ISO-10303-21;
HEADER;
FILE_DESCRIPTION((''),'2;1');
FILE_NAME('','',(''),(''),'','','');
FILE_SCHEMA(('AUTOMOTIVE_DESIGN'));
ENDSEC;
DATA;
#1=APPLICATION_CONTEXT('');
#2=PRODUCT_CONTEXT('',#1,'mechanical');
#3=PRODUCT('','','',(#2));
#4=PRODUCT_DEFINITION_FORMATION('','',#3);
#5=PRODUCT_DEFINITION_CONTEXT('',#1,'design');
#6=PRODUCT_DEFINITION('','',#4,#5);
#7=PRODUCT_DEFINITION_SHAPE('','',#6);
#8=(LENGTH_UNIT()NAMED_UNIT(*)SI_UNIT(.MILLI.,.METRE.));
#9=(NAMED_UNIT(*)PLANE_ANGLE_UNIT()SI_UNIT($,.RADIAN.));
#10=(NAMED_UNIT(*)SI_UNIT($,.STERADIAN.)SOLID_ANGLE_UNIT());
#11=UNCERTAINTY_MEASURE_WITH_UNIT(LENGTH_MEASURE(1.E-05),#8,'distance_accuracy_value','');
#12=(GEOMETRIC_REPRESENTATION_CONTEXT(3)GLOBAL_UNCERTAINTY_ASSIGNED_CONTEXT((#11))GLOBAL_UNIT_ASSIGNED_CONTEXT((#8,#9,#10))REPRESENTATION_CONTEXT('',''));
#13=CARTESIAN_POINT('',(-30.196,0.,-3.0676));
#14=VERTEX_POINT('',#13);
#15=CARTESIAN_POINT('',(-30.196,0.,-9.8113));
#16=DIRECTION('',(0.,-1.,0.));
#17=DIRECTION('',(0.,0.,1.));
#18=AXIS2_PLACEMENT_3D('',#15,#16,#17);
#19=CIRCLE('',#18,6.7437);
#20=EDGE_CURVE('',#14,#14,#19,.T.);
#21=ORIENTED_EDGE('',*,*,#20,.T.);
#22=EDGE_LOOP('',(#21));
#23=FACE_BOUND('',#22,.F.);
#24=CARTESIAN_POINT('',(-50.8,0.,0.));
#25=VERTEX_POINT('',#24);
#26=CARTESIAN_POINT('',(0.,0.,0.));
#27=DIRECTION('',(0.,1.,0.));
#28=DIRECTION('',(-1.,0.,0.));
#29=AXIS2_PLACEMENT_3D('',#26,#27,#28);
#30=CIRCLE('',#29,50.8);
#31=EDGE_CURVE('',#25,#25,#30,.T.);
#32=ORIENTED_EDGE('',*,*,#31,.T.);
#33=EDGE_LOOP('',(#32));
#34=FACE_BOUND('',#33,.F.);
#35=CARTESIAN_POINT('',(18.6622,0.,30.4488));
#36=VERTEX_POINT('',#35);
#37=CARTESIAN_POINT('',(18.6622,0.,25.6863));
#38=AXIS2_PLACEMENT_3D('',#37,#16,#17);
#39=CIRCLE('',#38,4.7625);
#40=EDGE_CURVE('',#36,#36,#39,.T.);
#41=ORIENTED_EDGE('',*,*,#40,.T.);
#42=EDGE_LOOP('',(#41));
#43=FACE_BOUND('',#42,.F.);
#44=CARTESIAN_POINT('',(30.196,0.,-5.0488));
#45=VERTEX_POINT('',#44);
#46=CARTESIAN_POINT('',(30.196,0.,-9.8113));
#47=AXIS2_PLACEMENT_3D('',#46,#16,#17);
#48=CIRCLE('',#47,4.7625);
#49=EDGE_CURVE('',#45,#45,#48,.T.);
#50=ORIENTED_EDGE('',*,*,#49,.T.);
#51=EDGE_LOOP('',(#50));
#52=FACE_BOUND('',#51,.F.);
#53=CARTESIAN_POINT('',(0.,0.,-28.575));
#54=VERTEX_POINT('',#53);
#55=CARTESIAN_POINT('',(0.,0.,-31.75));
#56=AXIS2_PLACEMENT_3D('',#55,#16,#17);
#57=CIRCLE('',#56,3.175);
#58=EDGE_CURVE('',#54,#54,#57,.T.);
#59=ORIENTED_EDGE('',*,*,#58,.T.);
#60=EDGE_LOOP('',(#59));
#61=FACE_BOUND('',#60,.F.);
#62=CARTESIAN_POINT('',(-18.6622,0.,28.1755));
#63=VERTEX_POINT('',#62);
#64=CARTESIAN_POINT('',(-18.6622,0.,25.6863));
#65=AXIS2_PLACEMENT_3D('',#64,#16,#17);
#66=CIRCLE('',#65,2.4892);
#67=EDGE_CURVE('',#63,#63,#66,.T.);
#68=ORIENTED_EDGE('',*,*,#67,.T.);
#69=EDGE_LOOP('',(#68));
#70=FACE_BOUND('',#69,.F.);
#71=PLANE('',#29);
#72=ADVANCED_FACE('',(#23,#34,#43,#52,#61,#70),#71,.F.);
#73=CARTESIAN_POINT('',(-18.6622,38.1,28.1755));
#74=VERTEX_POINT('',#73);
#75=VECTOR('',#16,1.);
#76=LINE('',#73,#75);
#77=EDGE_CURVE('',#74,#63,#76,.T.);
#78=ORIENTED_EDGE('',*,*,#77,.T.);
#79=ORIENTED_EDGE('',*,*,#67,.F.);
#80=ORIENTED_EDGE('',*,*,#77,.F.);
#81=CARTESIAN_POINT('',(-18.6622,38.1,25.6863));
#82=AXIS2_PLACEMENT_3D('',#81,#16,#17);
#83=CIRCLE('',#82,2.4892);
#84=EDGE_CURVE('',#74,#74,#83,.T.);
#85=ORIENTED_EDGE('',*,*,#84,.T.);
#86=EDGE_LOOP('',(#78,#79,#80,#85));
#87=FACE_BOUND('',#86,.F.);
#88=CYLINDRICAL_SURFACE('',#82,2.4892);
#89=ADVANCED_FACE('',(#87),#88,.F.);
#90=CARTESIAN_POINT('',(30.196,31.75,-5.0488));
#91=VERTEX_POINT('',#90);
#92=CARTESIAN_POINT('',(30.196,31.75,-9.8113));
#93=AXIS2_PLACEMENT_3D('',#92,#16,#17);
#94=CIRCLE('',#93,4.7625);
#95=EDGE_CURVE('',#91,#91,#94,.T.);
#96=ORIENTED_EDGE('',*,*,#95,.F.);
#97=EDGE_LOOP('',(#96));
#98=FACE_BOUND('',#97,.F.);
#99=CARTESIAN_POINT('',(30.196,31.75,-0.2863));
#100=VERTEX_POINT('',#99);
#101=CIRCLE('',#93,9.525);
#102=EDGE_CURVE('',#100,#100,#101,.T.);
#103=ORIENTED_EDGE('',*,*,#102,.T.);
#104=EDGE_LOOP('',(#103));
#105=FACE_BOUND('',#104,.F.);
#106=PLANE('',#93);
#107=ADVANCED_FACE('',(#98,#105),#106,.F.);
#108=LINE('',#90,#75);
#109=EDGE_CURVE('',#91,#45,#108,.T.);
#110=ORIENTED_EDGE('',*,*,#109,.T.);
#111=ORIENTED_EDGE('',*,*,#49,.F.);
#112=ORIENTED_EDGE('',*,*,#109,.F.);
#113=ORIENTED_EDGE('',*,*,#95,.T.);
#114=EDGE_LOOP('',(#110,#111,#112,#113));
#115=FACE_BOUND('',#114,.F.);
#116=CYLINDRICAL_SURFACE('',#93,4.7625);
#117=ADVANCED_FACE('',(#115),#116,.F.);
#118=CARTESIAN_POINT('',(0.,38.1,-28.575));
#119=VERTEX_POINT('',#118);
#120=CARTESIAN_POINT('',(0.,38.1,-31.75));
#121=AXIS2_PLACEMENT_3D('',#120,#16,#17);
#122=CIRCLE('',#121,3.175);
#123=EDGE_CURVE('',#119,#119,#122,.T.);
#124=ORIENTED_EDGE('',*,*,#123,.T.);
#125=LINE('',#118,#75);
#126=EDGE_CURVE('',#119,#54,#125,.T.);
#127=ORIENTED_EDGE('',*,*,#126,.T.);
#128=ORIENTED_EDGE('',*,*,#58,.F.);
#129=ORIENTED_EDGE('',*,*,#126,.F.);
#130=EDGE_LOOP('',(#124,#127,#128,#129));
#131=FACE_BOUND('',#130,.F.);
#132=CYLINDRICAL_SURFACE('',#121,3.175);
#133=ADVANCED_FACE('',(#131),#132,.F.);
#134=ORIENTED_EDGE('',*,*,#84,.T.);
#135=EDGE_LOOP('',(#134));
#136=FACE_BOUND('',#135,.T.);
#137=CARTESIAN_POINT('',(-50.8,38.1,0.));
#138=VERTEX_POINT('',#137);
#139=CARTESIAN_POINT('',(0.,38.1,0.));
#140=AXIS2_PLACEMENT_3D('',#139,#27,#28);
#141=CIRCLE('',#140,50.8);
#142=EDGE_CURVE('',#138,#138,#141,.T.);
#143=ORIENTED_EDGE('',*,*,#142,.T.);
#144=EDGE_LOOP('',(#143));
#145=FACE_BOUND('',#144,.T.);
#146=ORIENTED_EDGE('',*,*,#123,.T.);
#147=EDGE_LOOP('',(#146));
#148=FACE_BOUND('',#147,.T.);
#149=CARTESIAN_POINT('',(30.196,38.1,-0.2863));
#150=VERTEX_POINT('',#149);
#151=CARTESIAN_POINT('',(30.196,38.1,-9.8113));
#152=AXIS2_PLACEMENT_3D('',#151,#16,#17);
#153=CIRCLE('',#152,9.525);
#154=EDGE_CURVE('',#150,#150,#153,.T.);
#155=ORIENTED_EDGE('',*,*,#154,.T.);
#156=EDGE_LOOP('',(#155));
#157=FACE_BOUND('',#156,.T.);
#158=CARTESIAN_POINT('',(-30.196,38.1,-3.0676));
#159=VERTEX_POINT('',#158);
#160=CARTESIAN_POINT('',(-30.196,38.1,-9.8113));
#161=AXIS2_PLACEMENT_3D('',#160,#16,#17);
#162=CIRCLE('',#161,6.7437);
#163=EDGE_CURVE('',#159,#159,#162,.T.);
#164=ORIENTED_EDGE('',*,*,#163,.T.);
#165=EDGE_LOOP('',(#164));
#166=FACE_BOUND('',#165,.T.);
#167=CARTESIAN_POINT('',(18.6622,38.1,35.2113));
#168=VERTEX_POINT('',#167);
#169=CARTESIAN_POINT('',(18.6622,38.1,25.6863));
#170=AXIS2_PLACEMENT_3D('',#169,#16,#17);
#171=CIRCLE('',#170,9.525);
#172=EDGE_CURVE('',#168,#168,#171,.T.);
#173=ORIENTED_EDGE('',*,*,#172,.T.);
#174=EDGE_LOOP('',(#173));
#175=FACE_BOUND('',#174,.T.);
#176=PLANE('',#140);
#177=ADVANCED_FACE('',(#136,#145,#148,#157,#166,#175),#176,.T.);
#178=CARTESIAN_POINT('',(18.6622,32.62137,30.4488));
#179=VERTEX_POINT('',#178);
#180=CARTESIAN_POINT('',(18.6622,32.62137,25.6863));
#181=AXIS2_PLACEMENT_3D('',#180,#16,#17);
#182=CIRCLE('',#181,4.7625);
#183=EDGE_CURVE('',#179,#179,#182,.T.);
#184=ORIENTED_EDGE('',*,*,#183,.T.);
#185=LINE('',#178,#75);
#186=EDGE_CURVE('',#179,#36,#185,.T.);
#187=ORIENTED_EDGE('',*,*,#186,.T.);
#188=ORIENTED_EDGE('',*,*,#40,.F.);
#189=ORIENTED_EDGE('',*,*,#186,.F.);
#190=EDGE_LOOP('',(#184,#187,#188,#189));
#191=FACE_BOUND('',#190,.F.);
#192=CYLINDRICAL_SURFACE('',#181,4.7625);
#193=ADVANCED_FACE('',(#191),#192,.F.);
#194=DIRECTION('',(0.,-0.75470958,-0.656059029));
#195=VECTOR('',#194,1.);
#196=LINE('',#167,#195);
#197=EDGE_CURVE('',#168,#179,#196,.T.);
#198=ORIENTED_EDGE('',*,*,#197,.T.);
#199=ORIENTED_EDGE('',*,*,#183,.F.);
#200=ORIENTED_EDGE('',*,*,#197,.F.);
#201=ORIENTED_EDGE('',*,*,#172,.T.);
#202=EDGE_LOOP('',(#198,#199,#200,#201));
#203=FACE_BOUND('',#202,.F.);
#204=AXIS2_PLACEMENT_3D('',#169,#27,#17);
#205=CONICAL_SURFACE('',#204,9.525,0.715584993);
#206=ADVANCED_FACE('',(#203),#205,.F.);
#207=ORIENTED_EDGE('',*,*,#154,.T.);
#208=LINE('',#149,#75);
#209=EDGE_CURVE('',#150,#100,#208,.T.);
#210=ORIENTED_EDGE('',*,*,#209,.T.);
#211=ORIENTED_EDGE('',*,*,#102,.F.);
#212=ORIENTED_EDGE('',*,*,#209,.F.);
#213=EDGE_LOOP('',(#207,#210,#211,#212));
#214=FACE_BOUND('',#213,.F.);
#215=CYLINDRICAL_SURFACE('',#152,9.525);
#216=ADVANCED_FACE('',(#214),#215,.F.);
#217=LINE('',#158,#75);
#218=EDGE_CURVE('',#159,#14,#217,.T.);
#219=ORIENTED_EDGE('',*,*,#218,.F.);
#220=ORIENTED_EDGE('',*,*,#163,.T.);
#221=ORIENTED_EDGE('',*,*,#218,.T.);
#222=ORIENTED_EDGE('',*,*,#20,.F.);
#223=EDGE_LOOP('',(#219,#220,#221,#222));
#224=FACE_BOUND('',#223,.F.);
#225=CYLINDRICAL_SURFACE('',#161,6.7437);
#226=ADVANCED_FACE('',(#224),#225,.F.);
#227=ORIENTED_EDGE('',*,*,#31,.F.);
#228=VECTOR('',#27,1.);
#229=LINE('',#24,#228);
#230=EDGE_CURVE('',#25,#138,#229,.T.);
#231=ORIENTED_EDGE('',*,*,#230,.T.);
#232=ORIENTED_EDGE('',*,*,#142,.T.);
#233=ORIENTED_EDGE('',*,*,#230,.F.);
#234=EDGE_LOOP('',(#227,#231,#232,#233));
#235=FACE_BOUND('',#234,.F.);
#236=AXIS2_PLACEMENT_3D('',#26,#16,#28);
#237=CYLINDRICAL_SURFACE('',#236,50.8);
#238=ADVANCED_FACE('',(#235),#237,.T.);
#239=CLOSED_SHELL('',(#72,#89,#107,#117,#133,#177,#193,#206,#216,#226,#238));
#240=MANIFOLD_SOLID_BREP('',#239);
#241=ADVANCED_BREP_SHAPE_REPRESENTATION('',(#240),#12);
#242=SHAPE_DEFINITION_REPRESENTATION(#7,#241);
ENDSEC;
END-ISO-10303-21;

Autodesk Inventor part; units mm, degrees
ref_plane "YZ Plane" through (0, 0, 0) normal (1, 0, 0) x (0, 1, 0)
ref_plane "XZ Plane" through (0, 0, 0) normal (0, 1, 0) x (-1, 0, 0)
ref_plane "XY Plane" through (0, 0, 0) normal (0, 0, 1) x (1, 0, 0)
sketch "Sketch1" plane through (0, 0, 0) normal (0, 1, 0) x (-1, 0, 0)
  circle A0 centre (0, 0) radius 50.8
  dimension "d0" = 101.6
extrude "Extrusion1" add sketch "Sketch1" along normal blind 38.1
sketch "Sketch2" plane through (0, 38.1, 0) normal (0, 1, 0) x (1, 0, 0)
  circle A0 centre (0, 0) radius 31.75 construction
  point P0 (0, 31.75)
  point P1 (-30.196, 9.8113)
  point P2 (-18.6622, -25.6863)
  point P3 (18.6622, -25.6863)
  point P4 (30.196, 9.8113)
  dimension "d4" = 63.5
  dimension "d7" = 360
hole "Hole1" at (0, 38.1, -31.75) direction (0, -1, 0) diameter 6.35 end through all
hole "Hole2" at (30.196, 38.1, -9.8113) direction (0, -1, 0) diameter 9.525 end through all counterbore diameter 19.05 counterbore depth 6.35
hole "Hole3" at (18.6622, 38.1, 25.6863) direction (0, -1, 0) diameter 9.525 end through all countersink diameter 19.05 countersink angle 82
hole "Hole4" at (-18.6622, 38.1, 25.6863) direction (0, -1, 0) diameter 4.9784 end through all thread size "1/4-20 UNC" class "1B" standard "ANSI Unified Screw Threads"
hole "Hole5" at (-30.196, 38.1, -9.8113) direction (0, -1, 0) diameter 13.4874 end through all clearance for "Flat Head Machine Screw (82)" size "1/2" standard "Ansi Unified Screw Threads"
properties part number "HolePracticeDE"
